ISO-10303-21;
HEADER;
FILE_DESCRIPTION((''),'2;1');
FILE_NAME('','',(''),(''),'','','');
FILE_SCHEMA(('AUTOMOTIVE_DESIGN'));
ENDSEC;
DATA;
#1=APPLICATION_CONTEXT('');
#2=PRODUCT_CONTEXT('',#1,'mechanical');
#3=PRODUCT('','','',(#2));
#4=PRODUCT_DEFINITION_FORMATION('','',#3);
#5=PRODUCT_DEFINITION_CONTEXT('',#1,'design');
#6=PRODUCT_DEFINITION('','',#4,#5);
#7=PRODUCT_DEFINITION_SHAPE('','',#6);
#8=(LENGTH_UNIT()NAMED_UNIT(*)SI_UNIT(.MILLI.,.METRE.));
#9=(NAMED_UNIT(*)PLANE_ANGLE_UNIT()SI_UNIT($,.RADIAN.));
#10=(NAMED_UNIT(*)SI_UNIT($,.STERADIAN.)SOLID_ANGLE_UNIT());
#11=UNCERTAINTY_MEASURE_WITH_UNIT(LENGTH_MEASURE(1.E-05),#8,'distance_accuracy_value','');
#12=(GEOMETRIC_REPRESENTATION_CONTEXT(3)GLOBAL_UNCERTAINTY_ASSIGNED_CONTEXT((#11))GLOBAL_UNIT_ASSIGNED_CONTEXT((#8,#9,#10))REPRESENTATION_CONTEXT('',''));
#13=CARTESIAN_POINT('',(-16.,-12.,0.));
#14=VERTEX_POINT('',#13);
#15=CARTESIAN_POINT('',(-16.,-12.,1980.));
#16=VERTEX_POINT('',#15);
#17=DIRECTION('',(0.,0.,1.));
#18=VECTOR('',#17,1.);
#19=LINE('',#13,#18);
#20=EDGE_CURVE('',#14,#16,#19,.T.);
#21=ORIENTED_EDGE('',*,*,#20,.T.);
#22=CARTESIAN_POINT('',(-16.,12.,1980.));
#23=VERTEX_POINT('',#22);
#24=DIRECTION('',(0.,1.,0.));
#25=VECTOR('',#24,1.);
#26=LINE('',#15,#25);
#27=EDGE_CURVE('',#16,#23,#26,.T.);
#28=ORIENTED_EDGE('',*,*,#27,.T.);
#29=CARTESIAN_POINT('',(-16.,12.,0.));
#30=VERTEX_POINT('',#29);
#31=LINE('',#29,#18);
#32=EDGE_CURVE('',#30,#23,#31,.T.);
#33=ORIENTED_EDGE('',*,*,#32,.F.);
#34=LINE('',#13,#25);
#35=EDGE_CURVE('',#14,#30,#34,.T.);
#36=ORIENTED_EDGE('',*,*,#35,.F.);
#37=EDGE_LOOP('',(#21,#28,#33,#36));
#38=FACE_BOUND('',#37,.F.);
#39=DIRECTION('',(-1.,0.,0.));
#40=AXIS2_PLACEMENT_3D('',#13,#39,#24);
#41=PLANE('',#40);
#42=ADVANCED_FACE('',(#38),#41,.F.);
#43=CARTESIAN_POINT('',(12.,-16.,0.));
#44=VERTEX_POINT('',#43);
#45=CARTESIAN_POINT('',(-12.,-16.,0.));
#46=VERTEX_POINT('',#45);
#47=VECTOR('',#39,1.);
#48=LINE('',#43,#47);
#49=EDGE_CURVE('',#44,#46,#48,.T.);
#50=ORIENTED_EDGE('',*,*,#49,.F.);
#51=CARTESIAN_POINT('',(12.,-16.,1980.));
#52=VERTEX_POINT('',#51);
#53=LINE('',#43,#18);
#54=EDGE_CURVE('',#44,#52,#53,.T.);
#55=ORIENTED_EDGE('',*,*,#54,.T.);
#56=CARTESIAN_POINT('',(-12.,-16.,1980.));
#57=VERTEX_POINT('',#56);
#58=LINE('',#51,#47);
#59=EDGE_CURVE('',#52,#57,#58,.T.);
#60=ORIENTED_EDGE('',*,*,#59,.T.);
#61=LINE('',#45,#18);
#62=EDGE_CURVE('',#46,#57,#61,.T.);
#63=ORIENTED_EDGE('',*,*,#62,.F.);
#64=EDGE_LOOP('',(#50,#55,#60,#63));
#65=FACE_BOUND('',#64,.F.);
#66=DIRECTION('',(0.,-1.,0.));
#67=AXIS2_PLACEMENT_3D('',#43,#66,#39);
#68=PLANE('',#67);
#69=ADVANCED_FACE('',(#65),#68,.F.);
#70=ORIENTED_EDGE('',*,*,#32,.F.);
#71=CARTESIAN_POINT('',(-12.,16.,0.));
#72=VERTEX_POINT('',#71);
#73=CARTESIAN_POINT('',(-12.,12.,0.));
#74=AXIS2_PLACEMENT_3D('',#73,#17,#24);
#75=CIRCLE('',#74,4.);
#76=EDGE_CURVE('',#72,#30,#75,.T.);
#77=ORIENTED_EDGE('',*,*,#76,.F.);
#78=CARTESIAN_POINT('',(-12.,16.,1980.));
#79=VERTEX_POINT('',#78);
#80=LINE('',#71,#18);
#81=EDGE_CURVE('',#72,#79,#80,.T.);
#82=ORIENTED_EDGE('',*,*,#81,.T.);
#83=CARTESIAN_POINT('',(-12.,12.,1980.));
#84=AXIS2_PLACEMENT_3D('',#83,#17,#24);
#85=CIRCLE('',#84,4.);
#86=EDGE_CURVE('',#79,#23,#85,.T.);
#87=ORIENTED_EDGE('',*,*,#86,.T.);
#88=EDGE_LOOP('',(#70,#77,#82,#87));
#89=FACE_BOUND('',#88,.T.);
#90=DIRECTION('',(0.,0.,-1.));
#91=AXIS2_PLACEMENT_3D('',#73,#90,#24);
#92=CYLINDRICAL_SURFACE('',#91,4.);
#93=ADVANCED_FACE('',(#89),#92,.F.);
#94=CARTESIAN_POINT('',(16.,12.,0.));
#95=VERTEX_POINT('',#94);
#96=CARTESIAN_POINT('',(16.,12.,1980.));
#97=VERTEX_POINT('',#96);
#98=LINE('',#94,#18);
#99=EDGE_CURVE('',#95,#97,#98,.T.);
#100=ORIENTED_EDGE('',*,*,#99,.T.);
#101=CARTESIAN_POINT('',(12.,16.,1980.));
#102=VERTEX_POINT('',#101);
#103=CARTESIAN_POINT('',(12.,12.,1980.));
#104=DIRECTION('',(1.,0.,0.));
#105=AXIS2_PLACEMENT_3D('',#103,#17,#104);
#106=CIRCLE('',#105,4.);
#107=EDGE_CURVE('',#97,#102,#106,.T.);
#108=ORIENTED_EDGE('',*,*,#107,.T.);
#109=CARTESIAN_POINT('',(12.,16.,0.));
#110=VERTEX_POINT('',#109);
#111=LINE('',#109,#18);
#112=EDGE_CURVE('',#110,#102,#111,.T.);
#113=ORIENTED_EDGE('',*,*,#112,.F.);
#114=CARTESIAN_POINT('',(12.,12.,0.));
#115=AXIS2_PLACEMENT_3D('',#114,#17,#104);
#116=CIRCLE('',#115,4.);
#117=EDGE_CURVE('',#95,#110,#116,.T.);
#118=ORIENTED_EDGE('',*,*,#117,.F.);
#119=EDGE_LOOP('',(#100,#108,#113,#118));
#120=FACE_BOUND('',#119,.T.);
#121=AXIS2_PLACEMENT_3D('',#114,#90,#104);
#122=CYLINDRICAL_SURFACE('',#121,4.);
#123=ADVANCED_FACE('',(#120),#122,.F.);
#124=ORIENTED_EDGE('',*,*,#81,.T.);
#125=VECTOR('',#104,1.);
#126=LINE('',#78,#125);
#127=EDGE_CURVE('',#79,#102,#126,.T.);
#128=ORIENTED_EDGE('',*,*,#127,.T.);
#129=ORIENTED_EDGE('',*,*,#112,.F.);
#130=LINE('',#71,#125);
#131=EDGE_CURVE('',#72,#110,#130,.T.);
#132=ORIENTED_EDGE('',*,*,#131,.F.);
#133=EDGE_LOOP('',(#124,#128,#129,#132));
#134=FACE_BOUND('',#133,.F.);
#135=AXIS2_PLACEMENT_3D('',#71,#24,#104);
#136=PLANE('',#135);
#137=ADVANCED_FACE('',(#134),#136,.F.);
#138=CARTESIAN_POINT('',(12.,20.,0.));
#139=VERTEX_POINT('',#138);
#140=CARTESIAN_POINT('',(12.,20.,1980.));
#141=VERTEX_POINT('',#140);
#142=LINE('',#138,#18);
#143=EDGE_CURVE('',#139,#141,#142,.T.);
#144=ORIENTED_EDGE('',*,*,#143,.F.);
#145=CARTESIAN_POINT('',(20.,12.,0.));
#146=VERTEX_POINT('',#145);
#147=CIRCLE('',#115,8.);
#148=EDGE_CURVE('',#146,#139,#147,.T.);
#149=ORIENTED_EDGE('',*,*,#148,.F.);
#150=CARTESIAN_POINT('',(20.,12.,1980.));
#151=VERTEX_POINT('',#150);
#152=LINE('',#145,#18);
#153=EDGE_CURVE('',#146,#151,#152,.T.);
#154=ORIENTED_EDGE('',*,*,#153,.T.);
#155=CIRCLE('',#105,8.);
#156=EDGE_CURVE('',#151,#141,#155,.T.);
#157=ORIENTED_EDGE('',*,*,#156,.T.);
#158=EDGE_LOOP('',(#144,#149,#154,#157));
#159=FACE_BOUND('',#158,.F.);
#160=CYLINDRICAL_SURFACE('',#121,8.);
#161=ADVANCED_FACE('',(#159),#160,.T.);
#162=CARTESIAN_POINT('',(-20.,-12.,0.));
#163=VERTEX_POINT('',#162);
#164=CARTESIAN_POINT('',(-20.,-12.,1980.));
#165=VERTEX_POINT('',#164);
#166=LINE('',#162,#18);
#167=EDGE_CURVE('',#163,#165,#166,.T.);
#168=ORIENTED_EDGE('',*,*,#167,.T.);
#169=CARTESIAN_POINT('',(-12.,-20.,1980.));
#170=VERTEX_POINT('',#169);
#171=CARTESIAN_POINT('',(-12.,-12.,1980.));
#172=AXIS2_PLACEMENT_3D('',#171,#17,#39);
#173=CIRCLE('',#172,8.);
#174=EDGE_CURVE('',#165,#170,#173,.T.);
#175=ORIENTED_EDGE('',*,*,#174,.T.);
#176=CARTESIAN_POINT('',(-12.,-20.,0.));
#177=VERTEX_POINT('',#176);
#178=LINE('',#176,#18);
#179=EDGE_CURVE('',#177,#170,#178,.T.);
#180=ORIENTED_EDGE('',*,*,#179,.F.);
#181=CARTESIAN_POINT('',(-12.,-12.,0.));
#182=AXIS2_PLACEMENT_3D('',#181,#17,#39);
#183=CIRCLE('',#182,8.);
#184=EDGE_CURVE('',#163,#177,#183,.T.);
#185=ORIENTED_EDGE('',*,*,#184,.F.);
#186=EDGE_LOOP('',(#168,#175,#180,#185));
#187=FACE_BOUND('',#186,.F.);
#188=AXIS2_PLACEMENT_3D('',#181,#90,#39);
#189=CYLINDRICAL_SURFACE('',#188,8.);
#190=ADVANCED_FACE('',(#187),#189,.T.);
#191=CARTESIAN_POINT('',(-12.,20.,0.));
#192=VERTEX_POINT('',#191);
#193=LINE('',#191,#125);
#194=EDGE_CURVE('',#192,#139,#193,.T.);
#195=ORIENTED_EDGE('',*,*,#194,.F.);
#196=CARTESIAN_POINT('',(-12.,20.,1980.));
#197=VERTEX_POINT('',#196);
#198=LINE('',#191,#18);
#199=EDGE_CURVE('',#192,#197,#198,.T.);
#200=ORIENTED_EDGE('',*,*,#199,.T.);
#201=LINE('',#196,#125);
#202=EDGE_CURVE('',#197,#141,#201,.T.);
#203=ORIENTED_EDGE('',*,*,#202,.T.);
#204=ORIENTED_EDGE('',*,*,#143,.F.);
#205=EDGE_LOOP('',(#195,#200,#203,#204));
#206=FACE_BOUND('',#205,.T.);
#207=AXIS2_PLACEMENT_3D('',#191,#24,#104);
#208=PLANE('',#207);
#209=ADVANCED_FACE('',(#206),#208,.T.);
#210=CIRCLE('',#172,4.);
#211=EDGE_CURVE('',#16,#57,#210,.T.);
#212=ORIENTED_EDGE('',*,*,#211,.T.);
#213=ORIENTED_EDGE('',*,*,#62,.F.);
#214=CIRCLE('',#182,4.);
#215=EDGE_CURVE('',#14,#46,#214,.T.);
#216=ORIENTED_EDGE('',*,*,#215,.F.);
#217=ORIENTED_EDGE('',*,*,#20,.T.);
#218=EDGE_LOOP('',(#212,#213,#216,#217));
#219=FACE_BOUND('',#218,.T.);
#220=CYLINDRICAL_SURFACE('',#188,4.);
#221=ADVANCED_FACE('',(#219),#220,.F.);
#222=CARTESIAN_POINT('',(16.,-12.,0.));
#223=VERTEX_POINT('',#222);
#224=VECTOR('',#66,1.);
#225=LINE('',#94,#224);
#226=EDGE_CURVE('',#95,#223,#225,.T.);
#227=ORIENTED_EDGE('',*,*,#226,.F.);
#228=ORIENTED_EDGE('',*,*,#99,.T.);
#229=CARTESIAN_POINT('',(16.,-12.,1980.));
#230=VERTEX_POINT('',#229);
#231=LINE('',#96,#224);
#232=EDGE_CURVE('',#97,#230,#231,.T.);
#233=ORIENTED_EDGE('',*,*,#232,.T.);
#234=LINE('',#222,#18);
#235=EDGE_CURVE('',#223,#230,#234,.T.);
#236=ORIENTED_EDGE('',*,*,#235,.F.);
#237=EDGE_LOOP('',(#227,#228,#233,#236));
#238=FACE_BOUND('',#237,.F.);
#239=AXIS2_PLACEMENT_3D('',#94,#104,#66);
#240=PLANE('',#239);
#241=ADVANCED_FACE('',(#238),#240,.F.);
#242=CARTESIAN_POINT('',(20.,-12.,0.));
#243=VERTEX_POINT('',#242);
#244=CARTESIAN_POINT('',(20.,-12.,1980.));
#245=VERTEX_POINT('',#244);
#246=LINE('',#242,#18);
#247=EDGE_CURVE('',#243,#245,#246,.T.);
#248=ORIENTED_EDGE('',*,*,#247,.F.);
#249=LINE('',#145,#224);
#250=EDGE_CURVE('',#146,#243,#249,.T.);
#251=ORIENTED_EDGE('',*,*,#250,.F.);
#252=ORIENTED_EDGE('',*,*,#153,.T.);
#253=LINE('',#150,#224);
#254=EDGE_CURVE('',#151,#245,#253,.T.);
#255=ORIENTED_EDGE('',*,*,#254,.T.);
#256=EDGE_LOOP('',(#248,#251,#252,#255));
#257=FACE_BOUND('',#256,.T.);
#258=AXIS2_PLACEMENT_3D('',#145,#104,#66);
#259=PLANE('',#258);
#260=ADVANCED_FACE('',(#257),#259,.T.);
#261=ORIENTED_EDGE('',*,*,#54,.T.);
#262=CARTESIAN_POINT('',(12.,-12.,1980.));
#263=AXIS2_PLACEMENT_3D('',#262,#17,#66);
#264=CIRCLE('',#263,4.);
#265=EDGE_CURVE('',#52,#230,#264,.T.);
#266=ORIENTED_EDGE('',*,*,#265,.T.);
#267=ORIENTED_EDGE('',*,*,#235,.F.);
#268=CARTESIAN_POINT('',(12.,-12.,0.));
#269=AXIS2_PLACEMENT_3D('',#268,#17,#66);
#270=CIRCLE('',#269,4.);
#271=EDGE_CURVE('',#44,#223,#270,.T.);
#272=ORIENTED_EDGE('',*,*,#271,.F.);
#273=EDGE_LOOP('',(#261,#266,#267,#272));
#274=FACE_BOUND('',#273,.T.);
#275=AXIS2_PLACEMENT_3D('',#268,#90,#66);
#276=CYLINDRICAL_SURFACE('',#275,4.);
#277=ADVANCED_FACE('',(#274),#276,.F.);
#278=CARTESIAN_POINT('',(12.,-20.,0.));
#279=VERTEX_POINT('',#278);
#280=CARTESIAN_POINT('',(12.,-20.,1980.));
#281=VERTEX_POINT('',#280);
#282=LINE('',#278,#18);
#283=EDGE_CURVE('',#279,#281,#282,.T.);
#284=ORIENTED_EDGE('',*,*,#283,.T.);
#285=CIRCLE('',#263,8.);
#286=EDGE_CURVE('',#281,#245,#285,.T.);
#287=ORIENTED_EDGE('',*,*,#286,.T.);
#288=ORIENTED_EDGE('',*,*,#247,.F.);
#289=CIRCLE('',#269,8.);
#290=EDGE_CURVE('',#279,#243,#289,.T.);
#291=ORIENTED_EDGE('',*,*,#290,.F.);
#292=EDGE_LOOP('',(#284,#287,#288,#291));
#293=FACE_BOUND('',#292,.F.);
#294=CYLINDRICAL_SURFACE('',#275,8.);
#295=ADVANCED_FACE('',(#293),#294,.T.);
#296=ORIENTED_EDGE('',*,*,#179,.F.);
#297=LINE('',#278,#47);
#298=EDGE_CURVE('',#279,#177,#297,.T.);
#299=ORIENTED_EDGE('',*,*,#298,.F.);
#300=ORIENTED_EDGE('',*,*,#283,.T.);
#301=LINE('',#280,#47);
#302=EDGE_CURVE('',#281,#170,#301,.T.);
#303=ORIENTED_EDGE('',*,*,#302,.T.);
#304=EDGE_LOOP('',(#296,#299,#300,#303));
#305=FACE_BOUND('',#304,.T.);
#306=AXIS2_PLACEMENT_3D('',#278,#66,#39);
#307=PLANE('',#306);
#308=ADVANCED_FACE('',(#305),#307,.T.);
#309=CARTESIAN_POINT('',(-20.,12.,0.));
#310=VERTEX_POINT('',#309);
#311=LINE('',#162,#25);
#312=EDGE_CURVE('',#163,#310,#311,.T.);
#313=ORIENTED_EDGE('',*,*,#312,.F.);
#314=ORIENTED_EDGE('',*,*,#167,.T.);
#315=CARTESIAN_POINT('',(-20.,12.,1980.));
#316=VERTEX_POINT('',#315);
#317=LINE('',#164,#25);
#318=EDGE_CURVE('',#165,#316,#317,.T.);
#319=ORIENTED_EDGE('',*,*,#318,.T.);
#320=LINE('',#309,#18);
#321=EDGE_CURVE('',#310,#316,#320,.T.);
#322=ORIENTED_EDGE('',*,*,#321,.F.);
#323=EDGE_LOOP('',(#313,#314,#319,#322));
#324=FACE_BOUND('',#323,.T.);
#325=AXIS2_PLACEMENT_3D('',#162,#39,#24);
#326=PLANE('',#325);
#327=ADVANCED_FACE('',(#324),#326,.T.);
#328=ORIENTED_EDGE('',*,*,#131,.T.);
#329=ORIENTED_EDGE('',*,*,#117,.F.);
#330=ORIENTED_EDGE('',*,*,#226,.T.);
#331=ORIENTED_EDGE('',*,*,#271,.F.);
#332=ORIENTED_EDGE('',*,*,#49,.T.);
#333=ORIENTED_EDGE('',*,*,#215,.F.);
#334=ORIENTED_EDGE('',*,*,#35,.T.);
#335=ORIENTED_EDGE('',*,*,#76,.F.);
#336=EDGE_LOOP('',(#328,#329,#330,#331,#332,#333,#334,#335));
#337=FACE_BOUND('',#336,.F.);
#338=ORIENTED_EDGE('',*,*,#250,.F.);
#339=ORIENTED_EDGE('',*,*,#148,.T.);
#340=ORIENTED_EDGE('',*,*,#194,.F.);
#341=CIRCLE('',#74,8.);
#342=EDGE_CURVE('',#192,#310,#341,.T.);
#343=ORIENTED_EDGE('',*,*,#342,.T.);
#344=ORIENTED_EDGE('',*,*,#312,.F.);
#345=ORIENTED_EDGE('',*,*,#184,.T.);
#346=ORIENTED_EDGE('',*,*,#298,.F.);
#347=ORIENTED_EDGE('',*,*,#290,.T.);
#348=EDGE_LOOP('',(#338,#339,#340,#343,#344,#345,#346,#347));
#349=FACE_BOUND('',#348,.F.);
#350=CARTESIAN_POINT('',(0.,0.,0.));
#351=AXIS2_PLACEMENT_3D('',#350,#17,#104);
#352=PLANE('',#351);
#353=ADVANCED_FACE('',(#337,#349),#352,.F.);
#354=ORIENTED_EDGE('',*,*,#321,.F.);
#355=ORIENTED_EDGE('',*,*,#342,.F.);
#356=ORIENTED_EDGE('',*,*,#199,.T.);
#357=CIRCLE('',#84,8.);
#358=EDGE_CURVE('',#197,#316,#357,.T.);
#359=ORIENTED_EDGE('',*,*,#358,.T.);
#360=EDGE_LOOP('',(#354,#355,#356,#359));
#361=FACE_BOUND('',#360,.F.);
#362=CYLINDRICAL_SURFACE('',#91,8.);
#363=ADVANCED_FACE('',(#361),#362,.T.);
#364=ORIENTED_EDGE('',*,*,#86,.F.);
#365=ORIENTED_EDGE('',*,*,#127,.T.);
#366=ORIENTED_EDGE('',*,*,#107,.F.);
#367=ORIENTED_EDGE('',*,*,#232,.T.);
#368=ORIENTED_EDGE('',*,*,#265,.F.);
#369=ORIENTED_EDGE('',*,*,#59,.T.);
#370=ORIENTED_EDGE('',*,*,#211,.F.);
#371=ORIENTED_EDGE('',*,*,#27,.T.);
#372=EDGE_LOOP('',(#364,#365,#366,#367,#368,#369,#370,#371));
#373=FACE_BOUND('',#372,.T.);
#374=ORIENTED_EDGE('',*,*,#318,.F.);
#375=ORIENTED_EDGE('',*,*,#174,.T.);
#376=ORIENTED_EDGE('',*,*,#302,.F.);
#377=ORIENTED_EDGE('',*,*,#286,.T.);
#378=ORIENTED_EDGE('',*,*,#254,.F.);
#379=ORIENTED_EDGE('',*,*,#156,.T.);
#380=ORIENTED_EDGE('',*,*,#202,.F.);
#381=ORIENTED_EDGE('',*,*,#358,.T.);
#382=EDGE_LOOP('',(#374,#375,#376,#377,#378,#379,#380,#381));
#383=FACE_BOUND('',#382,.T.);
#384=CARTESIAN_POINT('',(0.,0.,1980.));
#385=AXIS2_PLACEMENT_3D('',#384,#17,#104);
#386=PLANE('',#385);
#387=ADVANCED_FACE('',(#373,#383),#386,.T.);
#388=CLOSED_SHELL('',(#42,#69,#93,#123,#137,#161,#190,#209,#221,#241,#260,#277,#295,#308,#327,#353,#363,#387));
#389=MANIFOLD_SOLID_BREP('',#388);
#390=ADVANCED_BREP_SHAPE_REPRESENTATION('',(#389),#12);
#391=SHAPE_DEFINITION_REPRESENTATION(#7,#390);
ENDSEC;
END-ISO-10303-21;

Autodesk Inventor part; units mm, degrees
ref_plane "Start Plane" through (0, 0, 0) normal (0, 0, 1) x (1, 0, 0)
ref_plane "End Plane" through (0, 0, 1980) normal (0, 0, 1) x (1, 0, 0)
sketch "Sketch" plane through (0, 0, 0) normal (0, 0, 1) x (1, 0, 0)
  line L0 (-20, -12) -> (-20, 12)
  line L1 (-12, 20) -> (12, 20)
  line L2 (20, 12) -> (20, -12)
  line L3 (12, -20) -> (-12, -20)
  arc A0 (-20, -12) -> (-12, -20) centre (-12, -12) ccw
  arc A1 (20, 12) -> (12, 20) centre (12, 12) ccw
  arc A2 (-12, 20) -> (-20, 12) centre (-12, 12) ccw
  arc A3 (12, -20) -> (20, -12) centre (12, -12) ccw
  arc A4 (-12, 16) -> (-16, 12) centre (-12, 12) ccw
  line L4 (-12, 16) -> (12, 16)
  arc A5 (16, 12) -> (12, 16) centre (12, 12) ccw
  line L5 (16, 12) -> (16, -12)
  arc A6 (12, -16) -> (16, -12) centre (12, -12) ccw
  line L6 (12, -16) -> (-12, -16)
  arc A7 (-16, -12) -> (-12, -16) centre (-12, -12) ccw
  line L7 (-16, -12) -> (-16, 12)
  line L8 (0, 30.3196) -> (0, -30.3196) construction
  line L9 (-30.3196, 0) -> (30.3196, 0) construction
  dimension "d7" = 8
  dimension "d9" = 40
  dimension "d11" = 40
  dimension "d12" = 4
  dimension "d15" = 20
  dimension "d16" = 20
extrude "Body" add sketch "Sketch" along normal up to surface (1980 mm away) from surface at 0
sketch "Sketch3" plane through (0, 0, 0) normal (0, 0, 1) x (1, 0, 0)
  line L0 (0, 0) -> (10, 0)
ref_plane "Work Plane3" through (0, 0, 0) normal (0, -1, 0) x (1, 0, 0)
ref_plane "Work Plane4" through (12, 0, 1980) normal (0, 0, 1) x (1, 0, 0)
split "Split1" plane through (12, 0, 1980) removes the side toward (0, 0, 1)
sketch "Sketch4" plane through (0, 0, 0) normal (0, -1, 0) x (1, 0, 0)
  line L0 (-2, 0) -> (12, 0) projected
  line L1 (-2, 1980) -> (12, 1980) projected
  dimension "d18" = 1980
equation "\"d7\" = G_IR"
equation "\"d9\" = G_W"
equation "\"d11\" = G_H"
equation "\"d12\" = G_T"
equation "\"d15\" = 0.5 * d9"
equation "\"d16\" = 0.5 * d11"
equation "\"d3\" = G_L"
equation "\"G_W\" = 40"
equation "\"G_H\" = 40"
equation "\"G_T\" = 4"
equation "\"G_IR\" = 8"
equation "\"G_L\" = d18"
equation "\"G_OFFSET_START\" = 0"
properties part number "ISO 10799-2 - 40x40x4 - 1980" material "Steel, Mild"
